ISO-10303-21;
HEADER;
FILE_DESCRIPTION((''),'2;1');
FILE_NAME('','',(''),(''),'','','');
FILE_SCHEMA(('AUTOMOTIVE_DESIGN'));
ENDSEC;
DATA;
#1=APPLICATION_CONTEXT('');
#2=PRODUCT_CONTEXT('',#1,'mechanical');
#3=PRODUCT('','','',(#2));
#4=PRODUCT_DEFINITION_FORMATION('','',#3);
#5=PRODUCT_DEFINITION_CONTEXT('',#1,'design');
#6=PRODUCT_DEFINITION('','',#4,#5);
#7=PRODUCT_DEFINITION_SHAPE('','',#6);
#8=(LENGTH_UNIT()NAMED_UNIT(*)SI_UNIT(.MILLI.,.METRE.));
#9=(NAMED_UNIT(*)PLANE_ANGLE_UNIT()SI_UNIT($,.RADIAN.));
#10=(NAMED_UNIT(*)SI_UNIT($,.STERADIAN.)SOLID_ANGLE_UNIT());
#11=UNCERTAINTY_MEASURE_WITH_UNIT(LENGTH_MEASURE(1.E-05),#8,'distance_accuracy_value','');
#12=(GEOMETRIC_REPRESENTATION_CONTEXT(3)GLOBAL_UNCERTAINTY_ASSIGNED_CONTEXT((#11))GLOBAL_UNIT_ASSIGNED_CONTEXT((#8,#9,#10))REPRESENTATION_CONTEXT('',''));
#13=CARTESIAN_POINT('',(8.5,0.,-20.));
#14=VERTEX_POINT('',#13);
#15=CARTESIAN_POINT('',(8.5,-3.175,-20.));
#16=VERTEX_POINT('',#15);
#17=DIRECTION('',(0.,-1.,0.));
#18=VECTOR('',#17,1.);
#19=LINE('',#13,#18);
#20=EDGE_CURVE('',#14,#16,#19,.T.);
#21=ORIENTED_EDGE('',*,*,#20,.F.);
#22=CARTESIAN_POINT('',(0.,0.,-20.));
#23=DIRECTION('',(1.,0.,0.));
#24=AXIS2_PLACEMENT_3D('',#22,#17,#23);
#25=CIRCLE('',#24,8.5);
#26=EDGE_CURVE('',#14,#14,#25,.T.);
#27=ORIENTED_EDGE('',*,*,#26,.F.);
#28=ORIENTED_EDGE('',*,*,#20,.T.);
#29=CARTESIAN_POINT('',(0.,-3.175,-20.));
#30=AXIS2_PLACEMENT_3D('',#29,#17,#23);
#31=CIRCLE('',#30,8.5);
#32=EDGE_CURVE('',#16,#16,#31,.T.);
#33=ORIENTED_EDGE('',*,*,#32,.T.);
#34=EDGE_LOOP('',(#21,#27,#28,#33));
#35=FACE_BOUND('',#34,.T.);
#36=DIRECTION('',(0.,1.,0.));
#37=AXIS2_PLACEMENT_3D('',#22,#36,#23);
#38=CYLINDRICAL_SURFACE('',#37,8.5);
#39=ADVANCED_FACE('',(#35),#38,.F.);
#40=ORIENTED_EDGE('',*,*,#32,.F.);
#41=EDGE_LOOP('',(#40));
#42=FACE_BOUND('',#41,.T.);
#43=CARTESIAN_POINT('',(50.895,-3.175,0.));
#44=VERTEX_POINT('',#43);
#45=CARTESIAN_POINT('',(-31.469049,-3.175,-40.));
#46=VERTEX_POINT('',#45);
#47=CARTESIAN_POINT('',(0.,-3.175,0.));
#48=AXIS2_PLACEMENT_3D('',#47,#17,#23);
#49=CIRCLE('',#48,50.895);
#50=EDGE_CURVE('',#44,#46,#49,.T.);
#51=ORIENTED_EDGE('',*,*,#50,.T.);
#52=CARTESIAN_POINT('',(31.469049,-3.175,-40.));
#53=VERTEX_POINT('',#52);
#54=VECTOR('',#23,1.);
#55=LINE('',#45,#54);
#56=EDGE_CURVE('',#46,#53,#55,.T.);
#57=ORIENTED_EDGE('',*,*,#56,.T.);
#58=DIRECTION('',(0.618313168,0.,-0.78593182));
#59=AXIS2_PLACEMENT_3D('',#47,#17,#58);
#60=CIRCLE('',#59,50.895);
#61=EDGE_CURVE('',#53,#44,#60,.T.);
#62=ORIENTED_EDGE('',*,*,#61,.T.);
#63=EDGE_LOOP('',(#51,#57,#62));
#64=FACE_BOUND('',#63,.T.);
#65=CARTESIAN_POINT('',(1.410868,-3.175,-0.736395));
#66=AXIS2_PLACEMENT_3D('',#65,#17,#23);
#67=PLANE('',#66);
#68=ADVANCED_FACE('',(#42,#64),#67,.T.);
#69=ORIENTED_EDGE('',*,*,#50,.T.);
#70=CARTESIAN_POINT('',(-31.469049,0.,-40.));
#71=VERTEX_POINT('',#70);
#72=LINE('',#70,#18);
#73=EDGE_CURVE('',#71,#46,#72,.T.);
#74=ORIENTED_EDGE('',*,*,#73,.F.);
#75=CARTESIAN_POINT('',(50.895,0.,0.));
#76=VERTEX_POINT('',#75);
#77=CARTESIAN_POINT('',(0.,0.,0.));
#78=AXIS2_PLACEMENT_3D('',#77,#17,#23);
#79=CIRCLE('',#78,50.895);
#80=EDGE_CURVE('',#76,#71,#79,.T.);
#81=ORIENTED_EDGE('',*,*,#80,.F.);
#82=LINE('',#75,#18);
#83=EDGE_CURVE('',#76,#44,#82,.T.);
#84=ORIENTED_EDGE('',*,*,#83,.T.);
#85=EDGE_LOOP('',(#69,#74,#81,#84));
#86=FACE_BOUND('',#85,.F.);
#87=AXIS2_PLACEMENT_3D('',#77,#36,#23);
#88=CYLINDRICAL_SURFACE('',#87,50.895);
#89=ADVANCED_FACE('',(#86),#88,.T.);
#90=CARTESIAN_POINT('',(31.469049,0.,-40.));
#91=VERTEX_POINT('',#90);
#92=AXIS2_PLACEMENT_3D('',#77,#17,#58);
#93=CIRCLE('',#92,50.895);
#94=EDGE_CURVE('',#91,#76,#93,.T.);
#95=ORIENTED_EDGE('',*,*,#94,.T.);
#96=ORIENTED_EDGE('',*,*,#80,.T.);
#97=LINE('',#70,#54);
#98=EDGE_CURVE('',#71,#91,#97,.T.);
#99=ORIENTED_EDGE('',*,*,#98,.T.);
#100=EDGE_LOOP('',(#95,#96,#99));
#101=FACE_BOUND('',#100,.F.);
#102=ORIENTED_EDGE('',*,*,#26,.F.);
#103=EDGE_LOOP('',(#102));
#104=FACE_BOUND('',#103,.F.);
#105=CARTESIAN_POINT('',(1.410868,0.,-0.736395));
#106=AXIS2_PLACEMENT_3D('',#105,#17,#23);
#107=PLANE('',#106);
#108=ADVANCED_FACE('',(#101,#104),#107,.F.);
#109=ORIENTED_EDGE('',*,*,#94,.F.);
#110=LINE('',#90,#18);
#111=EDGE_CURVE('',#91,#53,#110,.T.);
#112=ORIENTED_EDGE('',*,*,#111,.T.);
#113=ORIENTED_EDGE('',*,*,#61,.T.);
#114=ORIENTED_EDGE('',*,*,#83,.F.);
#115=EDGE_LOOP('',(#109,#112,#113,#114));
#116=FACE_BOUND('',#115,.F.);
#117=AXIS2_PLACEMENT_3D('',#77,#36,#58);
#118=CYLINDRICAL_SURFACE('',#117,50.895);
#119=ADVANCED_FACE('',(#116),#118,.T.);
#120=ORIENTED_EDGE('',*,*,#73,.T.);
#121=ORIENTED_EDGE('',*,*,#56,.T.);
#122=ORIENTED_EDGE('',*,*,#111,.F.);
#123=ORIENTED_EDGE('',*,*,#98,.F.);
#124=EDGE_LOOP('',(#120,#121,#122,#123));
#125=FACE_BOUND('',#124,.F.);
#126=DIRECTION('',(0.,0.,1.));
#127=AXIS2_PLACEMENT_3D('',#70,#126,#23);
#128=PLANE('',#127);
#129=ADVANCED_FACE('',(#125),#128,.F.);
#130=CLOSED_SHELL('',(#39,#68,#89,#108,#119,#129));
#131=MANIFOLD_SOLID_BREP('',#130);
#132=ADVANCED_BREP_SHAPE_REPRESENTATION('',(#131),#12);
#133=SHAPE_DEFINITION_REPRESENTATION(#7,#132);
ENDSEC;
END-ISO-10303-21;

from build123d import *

# Parameters (mm, degrees)
F0_R     = 8.5
F0_R_2   = 5
F1_DEPTH = 3.175


with BuildPart() as f1:
    # F0 (on Front) → F1 (new body)
    with BuildSketch(Plane.XZ):
        with BuildLine():
            Line((-31.4690486828, -40), (0, -40))
            Line((0, -40), (31.4690486828, -40))
            ThreePointArc((31.4690486828, -40), (45.7816462008, -22.233800758), (50.895, 0))
            ThreePointArc((50.895, 0), (-22.233800758, 45.7816462008), (-31.4690486828, -40))
        make_face()
        with BuildLine():
            ThreePointArc((0, -40), (-28.2842712475, 28.2842712475), (40, 0))
            ThreePointArc((40, 0), (28.2842712475, -28.2842712475), (0, -40))
        make_face(mode=Mode.SUBTRACT)
        with BuildLine():
            ThreePointArc((0, -40), (28.2842712475, -28.2842712475), (40, 0))
            ThreePointArc((40, 0), (-28.2842712475, 28.2842712475), (0, -40))
        make_face()
        with Locations((0, -20)):
            Circle(F0_R, mode=Mode.SUBTRACT)
        Circle(F0_R_2, mode=Mode.SUBTRACT)
        Circle(F0_R_2)
    extrude(amount=F1_DEPTH)


solid = f1.part
